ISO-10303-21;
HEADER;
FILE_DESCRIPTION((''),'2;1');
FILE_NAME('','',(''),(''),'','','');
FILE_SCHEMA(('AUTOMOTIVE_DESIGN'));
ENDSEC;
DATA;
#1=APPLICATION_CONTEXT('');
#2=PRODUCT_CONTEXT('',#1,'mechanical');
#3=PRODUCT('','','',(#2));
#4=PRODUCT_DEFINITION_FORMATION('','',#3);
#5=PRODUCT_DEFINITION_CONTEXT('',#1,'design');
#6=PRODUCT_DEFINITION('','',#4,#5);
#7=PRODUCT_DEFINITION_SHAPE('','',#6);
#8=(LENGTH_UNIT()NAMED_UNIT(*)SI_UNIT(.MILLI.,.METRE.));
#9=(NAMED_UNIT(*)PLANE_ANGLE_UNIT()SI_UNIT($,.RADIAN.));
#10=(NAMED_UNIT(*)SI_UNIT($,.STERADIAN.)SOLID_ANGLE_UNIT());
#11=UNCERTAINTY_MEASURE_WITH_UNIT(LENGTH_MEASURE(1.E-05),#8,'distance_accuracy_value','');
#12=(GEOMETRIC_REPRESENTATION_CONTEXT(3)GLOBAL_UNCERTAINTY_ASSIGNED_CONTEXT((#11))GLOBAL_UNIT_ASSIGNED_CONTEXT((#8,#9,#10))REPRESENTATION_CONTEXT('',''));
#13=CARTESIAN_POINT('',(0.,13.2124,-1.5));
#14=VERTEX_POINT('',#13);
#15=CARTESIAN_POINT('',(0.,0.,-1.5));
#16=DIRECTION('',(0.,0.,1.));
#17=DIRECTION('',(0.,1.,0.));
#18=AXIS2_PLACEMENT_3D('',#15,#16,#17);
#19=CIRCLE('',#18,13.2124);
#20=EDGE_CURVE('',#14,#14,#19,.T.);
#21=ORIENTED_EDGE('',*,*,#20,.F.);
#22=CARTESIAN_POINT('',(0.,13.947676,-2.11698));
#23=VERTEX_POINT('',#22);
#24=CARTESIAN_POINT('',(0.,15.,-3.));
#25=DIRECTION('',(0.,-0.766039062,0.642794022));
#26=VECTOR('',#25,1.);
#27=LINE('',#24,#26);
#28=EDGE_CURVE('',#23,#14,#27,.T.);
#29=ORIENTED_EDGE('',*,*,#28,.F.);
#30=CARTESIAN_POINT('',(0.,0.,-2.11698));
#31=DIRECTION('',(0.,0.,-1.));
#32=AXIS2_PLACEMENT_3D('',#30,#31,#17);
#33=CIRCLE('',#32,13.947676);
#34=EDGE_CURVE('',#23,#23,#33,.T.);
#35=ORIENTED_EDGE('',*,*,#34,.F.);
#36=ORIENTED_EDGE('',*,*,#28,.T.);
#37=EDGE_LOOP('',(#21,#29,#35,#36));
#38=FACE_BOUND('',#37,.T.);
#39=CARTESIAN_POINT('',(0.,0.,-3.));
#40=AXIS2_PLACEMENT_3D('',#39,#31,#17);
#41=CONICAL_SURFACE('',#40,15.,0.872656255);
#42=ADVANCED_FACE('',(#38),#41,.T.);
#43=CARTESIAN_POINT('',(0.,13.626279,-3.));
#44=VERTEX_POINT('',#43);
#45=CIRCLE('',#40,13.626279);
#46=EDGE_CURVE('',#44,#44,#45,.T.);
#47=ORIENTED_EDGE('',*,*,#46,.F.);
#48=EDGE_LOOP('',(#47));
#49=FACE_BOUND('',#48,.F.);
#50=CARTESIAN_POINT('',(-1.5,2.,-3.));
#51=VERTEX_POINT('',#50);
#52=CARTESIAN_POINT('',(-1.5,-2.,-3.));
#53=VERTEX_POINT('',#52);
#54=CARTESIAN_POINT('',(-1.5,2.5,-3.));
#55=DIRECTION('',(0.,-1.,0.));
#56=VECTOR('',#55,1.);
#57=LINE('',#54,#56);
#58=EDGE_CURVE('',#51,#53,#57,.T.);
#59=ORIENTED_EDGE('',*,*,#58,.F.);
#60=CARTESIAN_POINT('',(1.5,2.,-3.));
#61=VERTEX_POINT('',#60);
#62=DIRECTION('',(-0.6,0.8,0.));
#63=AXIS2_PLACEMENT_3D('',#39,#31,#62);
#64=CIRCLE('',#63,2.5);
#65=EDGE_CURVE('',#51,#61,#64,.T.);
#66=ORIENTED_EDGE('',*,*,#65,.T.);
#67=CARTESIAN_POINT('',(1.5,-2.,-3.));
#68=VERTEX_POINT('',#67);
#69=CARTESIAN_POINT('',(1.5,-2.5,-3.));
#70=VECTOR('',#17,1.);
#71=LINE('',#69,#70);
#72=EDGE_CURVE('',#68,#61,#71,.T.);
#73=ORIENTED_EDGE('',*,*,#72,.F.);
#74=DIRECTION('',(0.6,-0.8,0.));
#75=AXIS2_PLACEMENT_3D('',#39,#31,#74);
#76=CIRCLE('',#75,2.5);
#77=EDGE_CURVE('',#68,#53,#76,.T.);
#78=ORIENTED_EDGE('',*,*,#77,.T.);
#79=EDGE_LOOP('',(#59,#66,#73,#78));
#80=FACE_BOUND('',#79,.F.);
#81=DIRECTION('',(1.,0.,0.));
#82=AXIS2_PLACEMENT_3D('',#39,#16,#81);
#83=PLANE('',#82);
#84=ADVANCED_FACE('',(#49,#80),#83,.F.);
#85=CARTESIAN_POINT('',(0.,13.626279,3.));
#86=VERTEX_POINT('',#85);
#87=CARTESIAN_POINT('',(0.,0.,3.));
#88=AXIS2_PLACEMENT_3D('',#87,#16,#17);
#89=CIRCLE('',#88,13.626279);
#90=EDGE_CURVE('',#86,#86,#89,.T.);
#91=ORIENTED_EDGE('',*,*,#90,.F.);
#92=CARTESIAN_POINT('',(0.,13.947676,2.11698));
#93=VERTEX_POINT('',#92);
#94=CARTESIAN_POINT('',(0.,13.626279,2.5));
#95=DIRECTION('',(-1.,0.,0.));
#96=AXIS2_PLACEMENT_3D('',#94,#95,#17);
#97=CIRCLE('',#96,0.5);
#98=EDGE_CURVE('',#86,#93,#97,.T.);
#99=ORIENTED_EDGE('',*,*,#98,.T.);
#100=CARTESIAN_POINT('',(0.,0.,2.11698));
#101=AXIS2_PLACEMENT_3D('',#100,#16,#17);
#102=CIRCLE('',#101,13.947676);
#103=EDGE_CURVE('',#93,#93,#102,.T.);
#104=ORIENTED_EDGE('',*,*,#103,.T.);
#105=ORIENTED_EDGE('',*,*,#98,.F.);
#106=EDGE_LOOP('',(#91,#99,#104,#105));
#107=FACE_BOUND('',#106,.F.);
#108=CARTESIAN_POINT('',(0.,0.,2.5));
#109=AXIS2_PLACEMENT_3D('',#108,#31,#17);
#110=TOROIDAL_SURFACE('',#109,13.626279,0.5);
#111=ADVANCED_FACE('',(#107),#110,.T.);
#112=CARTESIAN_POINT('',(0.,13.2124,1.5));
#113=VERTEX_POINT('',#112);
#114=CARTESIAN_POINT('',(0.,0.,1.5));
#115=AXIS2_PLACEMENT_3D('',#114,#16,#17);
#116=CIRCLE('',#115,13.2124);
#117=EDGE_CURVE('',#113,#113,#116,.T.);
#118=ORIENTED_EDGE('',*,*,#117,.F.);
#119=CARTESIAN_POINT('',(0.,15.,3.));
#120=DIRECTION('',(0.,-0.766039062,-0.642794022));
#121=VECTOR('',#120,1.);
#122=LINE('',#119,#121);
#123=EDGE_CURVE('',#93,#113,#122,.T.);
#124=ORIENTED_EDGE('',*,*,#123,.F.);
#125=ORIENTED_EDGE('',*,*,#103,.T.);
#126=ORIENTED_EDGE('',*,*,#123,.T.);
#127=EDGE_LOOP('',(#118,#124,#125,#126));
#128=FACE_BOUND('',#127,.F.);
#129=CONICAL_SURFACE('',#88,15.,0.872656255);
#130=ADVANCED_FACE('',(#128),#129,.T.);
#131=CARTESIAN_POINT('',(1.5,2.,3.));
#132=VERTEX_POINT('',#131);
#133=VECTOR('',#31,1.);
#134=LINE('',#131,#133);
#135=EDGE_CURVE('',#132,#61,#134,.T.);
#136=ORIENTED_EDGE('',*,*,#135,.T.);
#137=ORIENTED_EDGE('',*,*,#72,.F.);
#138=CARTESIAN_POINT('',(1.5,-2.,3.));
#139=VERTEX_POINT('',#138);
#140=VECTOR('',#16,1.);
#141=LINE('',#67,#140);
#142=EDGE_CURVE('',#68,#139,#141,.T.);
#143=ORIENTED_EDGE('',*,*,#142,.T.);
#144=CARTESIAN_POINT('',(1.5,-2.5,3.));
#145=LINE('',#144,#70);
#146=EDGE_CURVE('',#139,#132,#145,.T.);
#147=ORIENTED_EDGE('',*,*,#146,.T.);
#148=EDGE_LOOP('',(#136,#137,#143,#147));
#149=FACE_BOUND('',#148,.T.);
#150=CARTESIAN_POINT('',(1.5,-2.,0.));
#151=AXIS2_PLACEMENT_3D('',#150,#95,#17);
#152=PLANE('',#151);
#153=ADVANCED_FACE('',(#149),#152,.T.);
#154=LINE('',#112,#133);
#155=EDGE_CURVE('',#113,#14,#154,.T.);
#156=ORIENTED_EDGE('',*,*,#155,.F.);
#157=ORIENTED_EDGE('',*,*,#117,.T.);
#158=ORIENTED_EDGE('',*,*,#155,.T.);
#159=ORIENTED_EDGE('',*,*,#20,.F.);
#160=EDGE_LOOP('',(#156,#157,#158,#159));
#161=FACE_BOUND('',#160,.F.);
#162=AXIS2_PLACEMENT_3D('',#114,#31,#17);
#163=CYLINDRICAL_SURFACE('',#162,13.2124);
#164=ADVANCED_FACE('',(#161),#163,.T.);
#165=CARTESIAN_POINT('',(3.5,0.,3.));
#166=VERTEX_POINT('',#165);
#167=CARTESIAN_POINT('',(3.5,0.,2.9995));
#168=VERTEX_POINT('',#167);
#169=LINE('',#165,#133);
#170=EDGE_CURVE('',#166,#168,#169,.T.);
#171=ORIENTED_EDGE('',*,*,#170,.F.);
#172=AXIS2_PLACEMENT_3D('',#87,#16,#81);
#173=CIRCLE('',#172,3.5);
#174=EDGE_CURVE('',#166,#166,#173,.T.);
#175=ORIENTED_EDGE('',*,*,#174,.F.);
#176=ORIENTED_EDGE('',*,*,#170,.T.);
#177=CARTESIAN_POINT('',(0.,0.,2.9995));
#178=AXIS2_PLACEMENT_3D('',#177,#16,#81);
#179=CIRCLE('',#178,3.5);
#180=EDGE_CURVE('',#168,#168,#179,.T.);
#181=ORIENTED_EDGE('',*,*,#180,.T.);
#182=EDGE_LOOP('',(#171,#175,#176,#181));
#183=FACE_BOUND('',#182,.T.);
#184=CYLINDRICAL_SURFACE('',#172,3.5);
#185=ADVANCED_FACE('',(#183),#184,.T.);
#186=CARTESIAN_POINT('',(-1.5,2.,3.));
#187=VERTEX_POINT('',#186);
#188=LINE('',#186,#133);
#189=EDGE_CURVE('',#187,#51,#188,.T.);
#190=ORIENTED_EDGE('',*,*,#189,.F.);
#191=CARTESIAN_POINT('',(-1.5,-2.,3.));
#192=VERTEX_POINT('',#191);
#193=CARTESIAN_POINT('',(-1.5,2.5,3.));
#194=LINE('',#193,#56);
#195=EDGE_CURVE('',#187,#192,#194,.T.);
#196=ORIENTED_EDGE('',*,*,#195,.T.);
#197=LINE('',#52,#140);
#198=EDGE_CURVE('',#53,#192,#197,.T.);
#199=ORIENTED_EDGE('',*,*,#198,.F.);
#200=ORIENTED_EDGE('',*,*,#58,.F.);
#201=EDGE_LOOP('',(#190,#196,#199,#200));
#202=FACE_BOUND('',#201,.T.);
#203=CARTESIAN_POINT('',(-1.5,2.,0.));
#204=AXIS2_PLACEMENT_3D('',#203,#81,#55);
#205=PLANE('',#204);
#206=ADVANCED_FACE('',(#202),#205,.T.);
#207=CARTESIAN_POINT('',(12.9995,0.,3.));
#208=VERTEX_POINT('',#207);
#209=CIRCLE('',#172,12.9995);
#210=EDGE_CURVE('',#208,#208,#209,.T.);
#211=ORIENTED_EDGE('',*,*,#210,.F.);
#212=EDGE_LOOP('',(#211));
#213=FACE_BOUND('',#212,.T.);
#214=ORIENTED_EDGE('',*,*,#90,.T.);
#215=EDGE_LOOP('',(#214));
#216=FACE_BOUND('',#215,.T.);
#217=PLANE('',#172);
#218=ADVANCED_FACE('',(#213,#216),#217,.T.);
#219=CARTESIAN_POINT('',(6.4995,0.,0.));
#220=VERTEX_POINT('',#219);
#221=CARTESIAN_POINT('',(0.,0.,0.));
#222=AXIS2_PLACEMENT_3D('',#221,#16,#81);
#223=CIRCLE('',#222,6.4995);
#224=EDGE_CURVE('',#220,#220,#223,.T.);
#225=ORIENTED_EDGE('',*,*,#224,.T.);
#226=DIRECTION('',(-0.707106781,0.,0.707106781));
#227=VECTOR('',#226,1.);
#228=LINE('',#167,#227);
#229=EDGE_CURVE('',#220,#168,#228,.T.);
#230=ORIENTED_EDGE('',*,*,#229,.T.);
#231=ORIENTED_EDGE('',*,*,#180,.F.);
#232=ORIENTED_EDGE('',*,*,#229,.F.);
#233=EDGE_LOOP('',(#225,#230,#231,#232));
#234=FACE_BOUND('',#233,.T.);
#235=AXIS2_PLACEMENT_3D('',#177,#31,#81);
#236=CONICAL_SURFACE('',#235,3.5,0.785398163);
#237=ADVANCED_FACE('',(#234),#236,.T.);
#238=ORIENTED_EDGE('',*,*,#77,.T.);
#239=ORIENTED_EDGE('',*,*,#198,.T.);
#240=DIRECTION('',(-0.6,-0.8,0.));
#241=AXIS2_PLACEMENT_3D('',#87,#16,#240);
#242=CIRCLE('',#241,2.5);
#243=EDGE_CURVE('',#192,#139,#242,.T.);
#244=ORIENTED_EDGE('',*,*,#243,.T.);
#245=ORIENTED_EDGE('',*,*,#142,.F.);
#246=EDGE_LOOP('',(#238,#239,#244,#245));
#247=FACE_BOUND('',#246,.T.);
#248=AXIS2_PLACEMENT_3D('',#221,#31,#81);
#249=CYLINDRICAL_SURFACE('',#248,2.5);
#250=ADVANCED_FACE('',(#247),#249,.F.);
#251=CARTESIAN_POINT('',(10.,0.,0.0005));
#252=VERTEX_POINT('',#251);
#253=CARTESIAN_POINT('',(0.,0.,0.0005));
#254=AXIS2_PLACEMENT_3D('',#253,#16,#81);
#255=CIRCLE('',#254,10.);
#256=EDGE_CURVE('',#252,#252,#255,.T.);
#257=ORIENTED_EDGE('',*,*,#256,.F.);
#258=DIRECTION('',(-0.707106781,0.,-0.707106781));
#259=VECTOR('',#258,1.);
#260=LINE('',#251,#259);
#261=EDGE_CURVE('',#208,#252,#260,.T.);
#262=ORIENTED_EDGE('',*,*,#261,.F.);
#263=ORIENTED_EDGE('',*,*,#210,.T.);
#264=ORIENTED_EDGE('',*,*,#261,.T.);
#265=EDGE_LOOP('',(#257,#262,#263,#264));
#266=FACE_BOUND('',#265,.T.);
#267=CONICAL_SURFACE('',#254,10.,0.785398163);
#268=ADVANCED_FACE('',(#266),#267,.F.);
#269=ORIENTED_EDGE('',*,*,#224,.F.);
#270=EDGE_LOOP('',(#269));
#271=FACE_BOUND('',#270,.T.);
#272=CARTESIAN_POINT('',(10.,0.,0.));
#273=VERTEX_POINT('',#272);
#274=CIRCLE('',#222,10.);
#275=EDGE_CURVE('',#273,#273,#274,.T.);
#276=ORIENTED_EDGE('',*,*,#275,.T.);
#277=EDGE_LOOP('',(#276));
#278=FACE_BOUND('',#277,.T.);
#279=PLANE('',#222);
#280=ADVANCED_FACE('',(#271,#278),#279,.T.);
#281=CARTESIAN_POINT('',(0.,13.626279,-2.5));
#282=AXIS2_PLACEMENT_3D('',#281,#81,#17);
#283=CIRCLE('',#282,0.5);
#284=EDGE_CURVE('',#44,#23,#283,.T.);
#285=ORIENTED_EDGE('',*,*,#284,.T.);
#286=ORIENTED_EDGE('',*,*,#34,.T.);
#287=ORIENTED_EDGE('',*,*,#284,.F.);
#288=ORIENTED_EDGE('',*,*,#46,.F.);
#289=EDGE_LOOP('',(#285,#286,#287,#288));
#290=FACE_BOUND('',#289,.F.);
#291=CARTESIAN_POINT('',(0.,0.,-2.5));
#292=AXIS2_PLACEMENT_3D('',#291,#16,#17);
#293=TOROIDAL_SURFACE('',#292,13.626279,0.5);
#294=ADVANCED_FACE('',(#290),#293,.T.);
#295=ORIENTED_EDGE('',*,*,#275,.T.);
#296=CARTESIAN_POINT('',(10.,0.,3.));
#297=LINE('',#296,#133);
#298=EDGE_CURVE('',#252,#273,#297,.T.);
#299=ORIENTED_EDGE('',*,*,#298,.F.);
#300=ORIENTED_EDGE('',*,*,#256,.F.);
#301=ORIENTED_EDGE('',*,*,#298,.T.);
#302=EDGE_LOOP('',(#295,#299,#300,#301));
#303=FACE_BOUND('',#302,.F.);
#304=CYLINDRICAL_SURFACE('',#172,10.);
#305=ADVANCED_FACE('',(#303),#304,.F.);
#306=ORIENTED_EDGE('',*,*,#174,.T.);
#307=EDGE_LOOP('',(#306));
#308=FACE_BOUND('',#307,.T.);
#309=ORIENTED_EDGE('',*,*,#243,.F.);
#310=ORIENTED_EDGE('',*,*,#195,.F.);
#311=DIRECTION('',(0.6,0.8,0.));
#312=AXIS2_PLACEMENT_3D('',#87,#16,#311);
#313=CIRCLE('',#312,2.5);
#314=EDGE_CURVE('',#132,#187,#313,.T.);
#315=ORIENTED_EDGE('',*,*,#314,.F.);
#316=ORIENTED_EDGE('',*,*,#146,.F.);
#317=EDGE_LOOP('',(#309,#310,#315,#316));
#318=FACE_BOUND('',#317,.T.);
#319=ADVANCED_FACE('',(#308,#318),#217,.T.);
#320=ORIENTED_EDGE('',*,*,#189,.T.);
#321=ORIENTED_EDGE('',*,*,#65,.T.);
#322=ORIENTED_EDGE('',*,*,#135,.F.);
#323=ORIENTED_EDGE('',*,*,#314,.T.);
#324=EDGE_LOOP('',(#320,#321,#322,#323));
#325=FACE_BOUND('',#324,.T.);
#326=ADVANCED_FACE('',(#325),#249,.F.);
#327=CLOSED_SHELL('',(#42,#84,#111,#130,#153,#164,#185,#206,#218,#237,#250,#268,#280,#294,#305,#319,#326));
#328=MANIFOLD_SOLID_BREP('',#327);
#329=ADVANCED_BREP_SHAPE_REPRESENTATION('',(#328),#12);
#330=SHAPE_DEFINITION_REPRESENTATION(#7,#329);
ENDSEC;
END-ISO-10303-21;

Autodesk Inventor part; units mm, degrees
ref_plane "YZ Plane" through (0, 0, 0) normal (1, 0, 0) x (0, 1, 0)
ref_plane "XZ Plane" through (0, 0, 0) normal (0, 1, 0) x (-1, 0, 0)
ref_plane "XY Plane" through (0, 0, 0) normal (0, 0, 1) x (1, 0, 0)
sketch "Náčrt1" plane through (0, 0, 0) normal (0, 0, 1) x (1, 0, 0)
  circle A0 centre (0, 0) radius 2.5
  line L0 (-1.5, -2.5) -> (1.5, -2.5)
  line L1 (1.5, -2.5) -> (1.5, 2.5)
  line L2 (1.5, 2.5) -> (-1.5, 2.5)
  line L3 (-1.5, 2.5) -> (-1.5, -2.5)
  line L4 (-1.5, -2.5) -> (1.5, 2.5) construction
  line L5 (1.5, -2.5) -> (-1.5, 2.5) construction
  circle A1 centre (0, 0) radius 15
  point P0 (-1.5, -2)
  point P1 (-1.5, 2)
  point P2 (1.5, 2)
  point P3 (1.5, -2)
  dimension "d0" = 5
  dimension "d1" = 3
  dimension "d2" = 5
  dimension "d3" = 30
extrude "Vysunutí1" add sketch "Náčrt1" along normal mid plane 6 contours A0 L1 | A0 L2 L1 | L1 L0 A0 | A0 L3 L2 | L0 L3 A0 | L3 A0 | A1
sketch "Náčrt2" plane through (0, 0, 0) normal (1, 0, 0) x (0, 1, 0)
  line L0 (-15, -3) -> (15, -3) projected
  line L1 (15, 3) -> (15, -3)
  line L2 (15, -3) -> (13.2124, -1.5)
  line L3 (15, -3) -> (17.3336, -3) construction
  line L4 (15, 3) -> (-15, 3) projected
  line L5 (15, 3) -> (13.2124, 1.5)
  line L6 (15, 3) -> (17.3336, 3) construction
  line L7 (13.2124, 1.5) -> (13.2124, -1.5)
  line L8 (0, -7) -> (0, 7) projected
  point P0 (0, 0)
  dimension "d15" = 140
  dimension "d16" = 140
  dimension "d18" = 3
  dimension "d27" = 13.2124
  dimension "d28" = 1.5
revolve "Rotace1" cut sketch "Náčrt2" angle 360 about axis through (0, 0, -10) along (0, 0, 1) contours L2 L7 L5 L1
fillet "Zaoblení1" radius 0.5 2 edges at (0, -15, -3) (0, -15, 3)
sketch "Náčrt3" plane through (0, 0, 3) normal (0, 0, 1) x (1, 0, 0)
  circle A0 centre (0, 0) radius 3.5
  circle A1 centre (0, 0) radius 10
  dimension "d12" = 7
  dimension "d13" = 20
extrude "Vysunutí2" cut sketch "Náčrt3" against normal blind 3
chamfer "Zkosení1" distance 3 angle 45 1 edges at (-10, 0, 3)
chamfer "Zkosení2" distance 3 angle 45 1 edges at (-3.5, 0, 0)
equation "\"d15\" = d16"
properties part number "rub-ring_3D tisk"
